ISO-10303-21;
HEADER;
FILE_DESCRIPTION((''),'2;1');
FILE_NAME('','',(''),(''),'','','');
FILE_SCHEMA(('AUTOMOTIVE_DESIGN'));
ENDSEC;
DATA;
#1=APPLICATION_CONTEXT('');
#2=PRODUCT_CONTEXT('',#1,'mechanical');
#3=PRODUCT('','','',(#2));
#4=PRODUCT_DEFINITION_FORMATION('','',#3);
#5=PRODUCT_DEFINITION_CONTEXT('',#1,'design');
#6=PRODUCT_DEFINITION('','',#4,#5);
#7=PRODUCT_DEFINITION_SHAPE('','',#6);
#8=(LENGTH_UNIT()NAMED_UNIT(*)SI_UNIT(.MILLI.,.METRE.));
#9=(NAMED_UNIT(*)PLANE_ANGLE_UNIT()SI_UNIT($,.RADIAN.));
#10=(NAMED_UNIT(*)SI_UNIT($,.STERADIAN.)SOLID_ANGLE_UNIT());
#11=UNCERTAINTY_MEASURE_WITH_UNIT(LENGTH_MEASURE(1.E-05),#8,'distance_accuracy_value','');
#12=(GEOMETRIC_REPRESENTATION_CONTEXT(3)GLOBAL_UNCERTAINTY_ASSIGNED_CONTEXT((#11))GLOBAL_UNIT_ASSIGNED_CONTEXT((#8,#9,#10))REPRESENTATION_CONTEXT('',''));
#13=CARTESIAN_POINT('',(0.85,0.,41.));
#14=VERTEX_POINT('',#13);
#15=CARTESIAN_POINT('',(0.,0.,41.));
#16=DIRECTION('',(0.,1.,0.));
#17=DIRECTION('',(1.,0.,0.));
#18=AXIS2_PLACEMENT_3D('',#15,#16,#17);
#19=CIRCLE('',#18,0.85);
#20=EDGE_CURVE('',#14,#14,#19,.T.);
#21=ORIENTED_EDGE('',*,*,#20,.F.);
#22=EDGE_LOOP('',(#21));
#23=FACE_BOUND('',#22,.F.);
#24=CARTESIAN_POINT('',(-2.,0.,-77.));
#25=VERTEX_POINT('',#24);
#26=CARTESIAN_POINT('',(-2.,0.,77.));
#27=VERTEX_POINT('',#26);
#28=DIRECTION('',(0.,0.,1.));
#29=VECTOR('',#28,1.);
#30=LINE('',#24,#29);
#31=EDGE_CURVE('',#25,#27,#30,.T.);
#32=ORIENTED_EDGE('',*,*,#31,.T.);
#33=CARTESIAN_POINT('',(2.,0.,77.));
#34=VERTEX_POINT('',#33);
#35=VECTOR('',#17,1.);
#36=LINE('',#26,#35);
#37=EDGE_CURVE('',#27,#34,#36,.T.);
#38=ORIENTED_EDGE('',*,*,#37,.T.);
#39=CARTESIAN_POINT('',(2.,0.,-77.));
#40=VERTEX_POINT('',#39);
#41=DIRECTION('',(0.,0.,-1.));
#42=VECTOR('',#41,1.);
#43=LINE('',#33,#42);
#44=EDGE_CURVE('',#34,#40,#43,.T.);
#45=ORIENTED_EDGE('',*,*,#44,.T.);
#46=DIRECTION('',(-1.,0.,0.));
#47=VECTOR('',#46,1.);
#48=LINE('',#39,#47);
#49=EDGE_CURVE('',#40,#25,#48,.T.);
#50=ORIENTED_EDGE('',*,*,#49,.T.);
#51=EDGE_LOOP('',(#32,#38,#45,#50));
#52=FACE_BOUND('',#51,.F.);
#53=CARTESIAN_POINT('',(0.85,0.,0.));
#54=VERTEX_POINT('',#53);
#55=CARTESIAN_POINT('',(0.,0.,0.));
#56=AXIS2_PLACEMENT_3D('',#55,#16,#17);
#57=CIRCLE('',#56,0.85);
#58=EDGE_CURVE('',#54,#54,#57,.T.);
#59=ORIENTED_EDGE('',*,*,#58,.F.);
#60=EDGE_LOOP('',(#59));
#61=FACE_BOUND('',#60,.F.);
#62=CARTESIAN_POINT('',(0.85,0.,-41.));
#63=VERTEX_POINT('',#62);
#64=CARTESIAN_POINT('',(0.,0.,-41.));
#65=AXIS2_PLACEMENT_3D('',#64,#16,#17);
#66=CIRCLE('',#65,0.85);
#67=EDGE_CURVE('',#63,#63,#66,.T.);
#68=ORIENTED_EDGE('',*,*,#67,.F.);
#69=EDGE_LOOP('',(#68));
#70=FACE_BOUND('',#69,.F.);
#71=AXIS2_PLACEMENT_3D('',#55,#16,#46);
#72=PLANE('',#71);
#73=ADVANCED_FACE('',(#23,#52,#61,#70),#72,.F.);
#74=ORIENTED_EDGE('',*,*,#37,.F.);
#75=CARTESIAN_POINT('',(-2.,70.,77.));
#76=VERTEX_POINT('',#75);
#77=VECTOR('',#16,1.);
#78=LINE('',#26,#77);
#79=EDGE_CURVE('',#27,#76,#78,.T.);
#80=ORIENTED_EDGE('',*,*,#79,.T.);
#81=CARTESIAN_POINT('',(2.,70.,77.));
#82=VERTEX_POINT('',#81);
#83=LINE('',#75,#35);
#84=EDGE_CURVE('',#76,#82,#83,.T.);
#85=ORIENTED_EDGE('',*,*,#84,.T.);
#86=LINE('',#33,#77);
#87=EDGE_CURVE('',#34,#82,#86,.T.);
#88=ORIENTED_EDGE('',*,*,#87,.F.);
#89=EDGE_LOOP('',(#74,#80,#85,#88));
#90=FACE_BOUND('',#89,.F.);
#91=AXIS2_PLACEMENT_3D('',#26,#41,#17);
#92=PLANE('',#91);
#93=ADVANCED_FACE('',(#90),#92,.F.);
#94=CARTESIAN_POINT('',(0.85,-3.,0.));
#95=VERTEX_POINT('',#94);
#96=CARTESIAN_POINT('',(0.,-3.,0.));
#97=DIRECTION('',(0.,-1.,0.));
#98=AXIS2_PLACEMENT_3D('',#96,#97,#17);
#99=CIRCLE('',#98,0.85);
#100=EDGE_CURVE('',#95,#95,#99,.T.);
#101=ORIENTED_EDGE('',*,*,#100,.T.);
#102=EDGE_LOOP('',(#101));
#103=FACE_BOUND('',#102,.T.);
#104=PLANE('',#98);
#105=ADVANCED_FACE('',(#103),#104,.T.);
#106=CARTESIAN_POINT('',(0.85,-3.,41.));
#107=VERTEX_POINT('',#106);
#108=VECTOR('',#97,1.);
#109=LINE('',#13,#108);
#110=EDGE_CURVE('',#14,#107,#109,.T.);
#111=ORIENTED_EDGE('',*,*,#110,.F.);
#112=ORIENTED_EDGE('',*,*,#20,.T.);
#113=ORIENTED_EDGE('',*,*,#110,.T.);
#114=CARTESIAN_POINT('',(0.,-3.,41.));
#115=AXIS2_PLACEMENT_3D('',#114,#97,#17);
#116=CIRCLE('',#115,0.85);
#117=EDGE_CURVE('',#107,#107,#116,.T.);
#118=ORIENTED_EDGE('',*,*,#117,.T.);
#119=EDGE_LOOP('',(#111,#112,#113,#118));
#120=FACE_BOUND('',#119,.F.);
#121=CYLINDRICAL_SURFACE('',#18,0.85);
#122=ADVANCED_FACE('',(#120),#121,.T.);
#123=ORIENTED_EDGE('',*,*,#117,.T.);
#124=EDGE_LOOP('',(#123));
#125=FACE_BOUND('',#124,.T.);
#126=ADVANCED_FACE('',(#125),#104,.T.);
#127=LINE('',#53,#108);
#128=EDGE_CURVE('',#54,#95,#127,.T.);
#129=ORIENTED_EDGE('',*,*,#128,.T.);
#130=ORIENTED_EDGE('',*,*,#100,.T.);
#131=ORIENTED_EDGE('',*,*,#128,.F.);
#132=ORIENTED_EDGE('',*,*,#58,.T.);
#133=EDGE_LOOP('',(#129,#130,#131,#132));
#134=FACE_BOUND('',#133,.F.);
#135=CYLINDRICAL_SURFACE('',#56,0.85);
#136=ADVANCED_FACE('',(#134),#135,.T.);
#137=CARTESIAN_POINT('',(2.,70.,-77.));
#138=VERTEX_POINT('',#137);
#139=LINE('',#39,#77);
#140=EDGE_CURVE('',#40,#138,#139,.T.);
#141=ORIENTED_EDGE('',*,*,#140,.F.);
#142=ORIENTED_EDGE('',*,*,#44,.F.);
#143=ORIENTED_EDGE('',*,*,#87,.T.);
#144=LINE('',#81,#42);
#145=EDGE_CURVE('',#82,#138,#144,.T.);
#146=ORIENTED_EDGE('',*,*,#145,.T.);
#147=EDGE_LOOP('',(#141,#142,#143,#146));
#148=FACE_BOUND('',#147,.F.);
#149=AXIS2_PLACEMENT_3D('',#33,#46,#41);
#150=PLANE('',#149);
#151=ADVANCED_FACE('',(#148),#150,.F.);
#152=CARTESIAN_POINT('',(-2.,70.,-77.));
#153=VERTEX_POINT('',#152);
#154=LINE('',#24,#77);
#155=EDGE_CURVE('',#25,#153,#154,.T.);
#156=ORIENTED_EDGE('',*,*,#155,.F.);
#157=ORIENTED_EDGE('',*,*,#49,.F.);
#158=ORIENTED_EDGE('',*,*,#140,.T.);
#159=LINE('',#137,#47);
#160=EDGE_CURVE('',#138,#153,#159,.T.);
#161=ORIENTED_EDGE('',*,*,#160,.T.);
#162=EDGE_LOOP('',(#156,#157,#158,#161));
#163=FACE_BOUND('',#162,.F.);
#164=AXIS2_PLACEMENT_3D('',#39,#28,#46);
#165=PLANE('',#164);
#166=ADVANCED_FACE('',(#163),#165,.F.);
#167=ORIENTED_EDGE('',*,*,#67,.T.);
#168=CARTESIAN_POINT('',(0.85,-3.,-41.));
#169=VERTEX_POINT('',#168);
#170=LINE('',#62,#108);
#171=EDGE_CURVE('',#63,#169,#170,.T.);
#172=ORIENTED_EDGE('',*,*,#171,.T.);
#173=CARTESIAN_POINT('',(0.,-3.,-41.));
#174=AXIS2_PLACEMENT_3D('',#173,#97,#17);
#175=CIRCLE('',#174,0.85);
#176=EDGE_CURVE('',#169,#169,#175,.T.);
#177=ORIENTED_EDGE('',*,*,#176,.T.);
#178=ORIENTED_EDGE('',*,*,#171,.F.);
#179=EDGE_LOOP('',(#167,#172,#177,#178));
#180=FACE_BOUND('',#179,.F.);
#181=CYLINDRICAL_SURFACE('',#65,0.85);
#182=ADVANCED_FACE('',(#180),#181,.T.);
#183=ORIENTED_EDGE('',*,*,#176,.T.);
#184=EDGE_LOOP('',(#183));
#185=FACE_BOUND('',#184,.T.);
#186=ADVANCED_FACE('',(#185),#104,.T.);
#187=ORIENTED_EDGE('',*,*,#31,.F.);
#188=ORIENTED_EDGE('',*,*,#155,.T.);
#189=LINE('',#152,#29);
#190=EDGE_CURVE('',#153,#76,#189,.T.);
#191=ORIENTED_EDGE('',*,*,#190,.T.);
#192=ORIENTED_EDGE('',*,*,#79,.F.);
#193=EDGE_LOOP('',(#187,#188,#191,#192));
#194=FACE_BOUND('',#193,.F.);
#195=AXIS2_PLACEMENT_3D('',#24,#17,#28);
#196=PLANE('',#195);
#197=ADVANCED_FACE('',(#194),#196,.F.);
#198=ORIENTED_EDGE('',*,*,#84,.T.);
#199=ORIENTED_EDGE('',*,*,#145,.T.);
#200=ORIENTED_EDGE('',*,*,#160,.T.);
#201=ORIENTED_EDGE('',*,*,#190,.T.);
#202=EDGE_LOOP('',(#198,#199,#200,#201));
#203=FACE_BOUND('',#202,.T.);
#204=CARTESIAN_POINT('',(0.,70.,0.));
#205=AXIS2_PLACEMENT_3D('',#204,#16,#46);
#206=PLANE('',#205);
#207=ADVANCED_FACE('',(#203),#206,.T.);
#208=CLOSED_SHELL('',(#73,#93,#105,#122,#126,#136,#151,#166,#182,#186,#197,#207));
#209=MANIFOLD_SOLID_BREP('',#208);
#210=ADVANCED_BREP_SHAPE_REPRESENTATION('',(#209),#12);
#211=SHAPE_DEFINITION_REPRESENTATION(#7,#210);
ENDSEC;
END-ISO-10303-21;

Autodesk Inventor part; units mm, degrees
ref_plane "YZ Plane" through (0, 0, 0) normal (1, 0, 0) x (0, 1, 0)
ref_plane "XZ Plane" through (0, 0, 0) normal (0, 1, 0) x (-1, 0, 0)
ref_plane "XY Plane" through (0, 0, 0) normal (0, 0, 1) x (1, 0, 0)
sketch "Sketch1" plane through (0, 0, 0) normal (0, 1, 0) x (-1, 0, 0)
  line L0 (2, 77) -> (-2, 77)
  line L1 (-2, 77) -> (-2, -77)
  line L2 (-2, -77) -> (2, -77)
  line L3 (2, -77) -> (2, 77)
  line L4 (2, 77) -> (-2, -77) construction
  line L5 (-2, 77) -> (2, -77) construction
  circle A0 centre (0, -41) radius 0.85
  circle A1 centre (0, 0) radius 0.85
  circle A2 centre (0, 41) radius 0.85
  point P0 (0, 0)
  dimension "d0" = 154
  dimension "d1" = 4
  dimension "d2" = 1.7
  dimension "d3" = 2
  dimension "d4" = 36
  dimension "d5" = 1.7
  dimension "d6" = 2
  dimension "d8" = 77
  dimension "d9" = 1.7
  dimension "d10" = 2
  dimension "d11" = 118
extrude "MainBody" add sketch "Sketch1" along normal blind 70
sketch "Sketch2" plane through (0, 0, 0) normal (0, -1, 0) x (1, 0, 0)
  circle A0 centre (0, 0) radius 0.85
extrude "MiddlePole" add sketch "Sketch2" along normal blind 3 and the other way blind 70
sketch "Sketch3" plane through (0, 0, 0) normal (0, -1, 0) x (1, 0, 0)
  circle A0 centre (0, 41) radius 0.85 projected
  circle A1 centre (0, 41) radius 0.85
  point P0 (0, 0)
extrude "UpperPole" add sketch "Sketch3" along normal blind 3 and the other way blind 70
sketch "Sketch4" plane through (0, 0, 0) normal (0, -1, 0) x (1, 0, 0)
  circle A0 centre (0, -41) radius 0.85
  point P0 (0, 0)
extrude "LowerPole" add sketch "Sketch4" along normal blind 3 and the other way blind 70
properties part number "DindingKargoKananKiri"
